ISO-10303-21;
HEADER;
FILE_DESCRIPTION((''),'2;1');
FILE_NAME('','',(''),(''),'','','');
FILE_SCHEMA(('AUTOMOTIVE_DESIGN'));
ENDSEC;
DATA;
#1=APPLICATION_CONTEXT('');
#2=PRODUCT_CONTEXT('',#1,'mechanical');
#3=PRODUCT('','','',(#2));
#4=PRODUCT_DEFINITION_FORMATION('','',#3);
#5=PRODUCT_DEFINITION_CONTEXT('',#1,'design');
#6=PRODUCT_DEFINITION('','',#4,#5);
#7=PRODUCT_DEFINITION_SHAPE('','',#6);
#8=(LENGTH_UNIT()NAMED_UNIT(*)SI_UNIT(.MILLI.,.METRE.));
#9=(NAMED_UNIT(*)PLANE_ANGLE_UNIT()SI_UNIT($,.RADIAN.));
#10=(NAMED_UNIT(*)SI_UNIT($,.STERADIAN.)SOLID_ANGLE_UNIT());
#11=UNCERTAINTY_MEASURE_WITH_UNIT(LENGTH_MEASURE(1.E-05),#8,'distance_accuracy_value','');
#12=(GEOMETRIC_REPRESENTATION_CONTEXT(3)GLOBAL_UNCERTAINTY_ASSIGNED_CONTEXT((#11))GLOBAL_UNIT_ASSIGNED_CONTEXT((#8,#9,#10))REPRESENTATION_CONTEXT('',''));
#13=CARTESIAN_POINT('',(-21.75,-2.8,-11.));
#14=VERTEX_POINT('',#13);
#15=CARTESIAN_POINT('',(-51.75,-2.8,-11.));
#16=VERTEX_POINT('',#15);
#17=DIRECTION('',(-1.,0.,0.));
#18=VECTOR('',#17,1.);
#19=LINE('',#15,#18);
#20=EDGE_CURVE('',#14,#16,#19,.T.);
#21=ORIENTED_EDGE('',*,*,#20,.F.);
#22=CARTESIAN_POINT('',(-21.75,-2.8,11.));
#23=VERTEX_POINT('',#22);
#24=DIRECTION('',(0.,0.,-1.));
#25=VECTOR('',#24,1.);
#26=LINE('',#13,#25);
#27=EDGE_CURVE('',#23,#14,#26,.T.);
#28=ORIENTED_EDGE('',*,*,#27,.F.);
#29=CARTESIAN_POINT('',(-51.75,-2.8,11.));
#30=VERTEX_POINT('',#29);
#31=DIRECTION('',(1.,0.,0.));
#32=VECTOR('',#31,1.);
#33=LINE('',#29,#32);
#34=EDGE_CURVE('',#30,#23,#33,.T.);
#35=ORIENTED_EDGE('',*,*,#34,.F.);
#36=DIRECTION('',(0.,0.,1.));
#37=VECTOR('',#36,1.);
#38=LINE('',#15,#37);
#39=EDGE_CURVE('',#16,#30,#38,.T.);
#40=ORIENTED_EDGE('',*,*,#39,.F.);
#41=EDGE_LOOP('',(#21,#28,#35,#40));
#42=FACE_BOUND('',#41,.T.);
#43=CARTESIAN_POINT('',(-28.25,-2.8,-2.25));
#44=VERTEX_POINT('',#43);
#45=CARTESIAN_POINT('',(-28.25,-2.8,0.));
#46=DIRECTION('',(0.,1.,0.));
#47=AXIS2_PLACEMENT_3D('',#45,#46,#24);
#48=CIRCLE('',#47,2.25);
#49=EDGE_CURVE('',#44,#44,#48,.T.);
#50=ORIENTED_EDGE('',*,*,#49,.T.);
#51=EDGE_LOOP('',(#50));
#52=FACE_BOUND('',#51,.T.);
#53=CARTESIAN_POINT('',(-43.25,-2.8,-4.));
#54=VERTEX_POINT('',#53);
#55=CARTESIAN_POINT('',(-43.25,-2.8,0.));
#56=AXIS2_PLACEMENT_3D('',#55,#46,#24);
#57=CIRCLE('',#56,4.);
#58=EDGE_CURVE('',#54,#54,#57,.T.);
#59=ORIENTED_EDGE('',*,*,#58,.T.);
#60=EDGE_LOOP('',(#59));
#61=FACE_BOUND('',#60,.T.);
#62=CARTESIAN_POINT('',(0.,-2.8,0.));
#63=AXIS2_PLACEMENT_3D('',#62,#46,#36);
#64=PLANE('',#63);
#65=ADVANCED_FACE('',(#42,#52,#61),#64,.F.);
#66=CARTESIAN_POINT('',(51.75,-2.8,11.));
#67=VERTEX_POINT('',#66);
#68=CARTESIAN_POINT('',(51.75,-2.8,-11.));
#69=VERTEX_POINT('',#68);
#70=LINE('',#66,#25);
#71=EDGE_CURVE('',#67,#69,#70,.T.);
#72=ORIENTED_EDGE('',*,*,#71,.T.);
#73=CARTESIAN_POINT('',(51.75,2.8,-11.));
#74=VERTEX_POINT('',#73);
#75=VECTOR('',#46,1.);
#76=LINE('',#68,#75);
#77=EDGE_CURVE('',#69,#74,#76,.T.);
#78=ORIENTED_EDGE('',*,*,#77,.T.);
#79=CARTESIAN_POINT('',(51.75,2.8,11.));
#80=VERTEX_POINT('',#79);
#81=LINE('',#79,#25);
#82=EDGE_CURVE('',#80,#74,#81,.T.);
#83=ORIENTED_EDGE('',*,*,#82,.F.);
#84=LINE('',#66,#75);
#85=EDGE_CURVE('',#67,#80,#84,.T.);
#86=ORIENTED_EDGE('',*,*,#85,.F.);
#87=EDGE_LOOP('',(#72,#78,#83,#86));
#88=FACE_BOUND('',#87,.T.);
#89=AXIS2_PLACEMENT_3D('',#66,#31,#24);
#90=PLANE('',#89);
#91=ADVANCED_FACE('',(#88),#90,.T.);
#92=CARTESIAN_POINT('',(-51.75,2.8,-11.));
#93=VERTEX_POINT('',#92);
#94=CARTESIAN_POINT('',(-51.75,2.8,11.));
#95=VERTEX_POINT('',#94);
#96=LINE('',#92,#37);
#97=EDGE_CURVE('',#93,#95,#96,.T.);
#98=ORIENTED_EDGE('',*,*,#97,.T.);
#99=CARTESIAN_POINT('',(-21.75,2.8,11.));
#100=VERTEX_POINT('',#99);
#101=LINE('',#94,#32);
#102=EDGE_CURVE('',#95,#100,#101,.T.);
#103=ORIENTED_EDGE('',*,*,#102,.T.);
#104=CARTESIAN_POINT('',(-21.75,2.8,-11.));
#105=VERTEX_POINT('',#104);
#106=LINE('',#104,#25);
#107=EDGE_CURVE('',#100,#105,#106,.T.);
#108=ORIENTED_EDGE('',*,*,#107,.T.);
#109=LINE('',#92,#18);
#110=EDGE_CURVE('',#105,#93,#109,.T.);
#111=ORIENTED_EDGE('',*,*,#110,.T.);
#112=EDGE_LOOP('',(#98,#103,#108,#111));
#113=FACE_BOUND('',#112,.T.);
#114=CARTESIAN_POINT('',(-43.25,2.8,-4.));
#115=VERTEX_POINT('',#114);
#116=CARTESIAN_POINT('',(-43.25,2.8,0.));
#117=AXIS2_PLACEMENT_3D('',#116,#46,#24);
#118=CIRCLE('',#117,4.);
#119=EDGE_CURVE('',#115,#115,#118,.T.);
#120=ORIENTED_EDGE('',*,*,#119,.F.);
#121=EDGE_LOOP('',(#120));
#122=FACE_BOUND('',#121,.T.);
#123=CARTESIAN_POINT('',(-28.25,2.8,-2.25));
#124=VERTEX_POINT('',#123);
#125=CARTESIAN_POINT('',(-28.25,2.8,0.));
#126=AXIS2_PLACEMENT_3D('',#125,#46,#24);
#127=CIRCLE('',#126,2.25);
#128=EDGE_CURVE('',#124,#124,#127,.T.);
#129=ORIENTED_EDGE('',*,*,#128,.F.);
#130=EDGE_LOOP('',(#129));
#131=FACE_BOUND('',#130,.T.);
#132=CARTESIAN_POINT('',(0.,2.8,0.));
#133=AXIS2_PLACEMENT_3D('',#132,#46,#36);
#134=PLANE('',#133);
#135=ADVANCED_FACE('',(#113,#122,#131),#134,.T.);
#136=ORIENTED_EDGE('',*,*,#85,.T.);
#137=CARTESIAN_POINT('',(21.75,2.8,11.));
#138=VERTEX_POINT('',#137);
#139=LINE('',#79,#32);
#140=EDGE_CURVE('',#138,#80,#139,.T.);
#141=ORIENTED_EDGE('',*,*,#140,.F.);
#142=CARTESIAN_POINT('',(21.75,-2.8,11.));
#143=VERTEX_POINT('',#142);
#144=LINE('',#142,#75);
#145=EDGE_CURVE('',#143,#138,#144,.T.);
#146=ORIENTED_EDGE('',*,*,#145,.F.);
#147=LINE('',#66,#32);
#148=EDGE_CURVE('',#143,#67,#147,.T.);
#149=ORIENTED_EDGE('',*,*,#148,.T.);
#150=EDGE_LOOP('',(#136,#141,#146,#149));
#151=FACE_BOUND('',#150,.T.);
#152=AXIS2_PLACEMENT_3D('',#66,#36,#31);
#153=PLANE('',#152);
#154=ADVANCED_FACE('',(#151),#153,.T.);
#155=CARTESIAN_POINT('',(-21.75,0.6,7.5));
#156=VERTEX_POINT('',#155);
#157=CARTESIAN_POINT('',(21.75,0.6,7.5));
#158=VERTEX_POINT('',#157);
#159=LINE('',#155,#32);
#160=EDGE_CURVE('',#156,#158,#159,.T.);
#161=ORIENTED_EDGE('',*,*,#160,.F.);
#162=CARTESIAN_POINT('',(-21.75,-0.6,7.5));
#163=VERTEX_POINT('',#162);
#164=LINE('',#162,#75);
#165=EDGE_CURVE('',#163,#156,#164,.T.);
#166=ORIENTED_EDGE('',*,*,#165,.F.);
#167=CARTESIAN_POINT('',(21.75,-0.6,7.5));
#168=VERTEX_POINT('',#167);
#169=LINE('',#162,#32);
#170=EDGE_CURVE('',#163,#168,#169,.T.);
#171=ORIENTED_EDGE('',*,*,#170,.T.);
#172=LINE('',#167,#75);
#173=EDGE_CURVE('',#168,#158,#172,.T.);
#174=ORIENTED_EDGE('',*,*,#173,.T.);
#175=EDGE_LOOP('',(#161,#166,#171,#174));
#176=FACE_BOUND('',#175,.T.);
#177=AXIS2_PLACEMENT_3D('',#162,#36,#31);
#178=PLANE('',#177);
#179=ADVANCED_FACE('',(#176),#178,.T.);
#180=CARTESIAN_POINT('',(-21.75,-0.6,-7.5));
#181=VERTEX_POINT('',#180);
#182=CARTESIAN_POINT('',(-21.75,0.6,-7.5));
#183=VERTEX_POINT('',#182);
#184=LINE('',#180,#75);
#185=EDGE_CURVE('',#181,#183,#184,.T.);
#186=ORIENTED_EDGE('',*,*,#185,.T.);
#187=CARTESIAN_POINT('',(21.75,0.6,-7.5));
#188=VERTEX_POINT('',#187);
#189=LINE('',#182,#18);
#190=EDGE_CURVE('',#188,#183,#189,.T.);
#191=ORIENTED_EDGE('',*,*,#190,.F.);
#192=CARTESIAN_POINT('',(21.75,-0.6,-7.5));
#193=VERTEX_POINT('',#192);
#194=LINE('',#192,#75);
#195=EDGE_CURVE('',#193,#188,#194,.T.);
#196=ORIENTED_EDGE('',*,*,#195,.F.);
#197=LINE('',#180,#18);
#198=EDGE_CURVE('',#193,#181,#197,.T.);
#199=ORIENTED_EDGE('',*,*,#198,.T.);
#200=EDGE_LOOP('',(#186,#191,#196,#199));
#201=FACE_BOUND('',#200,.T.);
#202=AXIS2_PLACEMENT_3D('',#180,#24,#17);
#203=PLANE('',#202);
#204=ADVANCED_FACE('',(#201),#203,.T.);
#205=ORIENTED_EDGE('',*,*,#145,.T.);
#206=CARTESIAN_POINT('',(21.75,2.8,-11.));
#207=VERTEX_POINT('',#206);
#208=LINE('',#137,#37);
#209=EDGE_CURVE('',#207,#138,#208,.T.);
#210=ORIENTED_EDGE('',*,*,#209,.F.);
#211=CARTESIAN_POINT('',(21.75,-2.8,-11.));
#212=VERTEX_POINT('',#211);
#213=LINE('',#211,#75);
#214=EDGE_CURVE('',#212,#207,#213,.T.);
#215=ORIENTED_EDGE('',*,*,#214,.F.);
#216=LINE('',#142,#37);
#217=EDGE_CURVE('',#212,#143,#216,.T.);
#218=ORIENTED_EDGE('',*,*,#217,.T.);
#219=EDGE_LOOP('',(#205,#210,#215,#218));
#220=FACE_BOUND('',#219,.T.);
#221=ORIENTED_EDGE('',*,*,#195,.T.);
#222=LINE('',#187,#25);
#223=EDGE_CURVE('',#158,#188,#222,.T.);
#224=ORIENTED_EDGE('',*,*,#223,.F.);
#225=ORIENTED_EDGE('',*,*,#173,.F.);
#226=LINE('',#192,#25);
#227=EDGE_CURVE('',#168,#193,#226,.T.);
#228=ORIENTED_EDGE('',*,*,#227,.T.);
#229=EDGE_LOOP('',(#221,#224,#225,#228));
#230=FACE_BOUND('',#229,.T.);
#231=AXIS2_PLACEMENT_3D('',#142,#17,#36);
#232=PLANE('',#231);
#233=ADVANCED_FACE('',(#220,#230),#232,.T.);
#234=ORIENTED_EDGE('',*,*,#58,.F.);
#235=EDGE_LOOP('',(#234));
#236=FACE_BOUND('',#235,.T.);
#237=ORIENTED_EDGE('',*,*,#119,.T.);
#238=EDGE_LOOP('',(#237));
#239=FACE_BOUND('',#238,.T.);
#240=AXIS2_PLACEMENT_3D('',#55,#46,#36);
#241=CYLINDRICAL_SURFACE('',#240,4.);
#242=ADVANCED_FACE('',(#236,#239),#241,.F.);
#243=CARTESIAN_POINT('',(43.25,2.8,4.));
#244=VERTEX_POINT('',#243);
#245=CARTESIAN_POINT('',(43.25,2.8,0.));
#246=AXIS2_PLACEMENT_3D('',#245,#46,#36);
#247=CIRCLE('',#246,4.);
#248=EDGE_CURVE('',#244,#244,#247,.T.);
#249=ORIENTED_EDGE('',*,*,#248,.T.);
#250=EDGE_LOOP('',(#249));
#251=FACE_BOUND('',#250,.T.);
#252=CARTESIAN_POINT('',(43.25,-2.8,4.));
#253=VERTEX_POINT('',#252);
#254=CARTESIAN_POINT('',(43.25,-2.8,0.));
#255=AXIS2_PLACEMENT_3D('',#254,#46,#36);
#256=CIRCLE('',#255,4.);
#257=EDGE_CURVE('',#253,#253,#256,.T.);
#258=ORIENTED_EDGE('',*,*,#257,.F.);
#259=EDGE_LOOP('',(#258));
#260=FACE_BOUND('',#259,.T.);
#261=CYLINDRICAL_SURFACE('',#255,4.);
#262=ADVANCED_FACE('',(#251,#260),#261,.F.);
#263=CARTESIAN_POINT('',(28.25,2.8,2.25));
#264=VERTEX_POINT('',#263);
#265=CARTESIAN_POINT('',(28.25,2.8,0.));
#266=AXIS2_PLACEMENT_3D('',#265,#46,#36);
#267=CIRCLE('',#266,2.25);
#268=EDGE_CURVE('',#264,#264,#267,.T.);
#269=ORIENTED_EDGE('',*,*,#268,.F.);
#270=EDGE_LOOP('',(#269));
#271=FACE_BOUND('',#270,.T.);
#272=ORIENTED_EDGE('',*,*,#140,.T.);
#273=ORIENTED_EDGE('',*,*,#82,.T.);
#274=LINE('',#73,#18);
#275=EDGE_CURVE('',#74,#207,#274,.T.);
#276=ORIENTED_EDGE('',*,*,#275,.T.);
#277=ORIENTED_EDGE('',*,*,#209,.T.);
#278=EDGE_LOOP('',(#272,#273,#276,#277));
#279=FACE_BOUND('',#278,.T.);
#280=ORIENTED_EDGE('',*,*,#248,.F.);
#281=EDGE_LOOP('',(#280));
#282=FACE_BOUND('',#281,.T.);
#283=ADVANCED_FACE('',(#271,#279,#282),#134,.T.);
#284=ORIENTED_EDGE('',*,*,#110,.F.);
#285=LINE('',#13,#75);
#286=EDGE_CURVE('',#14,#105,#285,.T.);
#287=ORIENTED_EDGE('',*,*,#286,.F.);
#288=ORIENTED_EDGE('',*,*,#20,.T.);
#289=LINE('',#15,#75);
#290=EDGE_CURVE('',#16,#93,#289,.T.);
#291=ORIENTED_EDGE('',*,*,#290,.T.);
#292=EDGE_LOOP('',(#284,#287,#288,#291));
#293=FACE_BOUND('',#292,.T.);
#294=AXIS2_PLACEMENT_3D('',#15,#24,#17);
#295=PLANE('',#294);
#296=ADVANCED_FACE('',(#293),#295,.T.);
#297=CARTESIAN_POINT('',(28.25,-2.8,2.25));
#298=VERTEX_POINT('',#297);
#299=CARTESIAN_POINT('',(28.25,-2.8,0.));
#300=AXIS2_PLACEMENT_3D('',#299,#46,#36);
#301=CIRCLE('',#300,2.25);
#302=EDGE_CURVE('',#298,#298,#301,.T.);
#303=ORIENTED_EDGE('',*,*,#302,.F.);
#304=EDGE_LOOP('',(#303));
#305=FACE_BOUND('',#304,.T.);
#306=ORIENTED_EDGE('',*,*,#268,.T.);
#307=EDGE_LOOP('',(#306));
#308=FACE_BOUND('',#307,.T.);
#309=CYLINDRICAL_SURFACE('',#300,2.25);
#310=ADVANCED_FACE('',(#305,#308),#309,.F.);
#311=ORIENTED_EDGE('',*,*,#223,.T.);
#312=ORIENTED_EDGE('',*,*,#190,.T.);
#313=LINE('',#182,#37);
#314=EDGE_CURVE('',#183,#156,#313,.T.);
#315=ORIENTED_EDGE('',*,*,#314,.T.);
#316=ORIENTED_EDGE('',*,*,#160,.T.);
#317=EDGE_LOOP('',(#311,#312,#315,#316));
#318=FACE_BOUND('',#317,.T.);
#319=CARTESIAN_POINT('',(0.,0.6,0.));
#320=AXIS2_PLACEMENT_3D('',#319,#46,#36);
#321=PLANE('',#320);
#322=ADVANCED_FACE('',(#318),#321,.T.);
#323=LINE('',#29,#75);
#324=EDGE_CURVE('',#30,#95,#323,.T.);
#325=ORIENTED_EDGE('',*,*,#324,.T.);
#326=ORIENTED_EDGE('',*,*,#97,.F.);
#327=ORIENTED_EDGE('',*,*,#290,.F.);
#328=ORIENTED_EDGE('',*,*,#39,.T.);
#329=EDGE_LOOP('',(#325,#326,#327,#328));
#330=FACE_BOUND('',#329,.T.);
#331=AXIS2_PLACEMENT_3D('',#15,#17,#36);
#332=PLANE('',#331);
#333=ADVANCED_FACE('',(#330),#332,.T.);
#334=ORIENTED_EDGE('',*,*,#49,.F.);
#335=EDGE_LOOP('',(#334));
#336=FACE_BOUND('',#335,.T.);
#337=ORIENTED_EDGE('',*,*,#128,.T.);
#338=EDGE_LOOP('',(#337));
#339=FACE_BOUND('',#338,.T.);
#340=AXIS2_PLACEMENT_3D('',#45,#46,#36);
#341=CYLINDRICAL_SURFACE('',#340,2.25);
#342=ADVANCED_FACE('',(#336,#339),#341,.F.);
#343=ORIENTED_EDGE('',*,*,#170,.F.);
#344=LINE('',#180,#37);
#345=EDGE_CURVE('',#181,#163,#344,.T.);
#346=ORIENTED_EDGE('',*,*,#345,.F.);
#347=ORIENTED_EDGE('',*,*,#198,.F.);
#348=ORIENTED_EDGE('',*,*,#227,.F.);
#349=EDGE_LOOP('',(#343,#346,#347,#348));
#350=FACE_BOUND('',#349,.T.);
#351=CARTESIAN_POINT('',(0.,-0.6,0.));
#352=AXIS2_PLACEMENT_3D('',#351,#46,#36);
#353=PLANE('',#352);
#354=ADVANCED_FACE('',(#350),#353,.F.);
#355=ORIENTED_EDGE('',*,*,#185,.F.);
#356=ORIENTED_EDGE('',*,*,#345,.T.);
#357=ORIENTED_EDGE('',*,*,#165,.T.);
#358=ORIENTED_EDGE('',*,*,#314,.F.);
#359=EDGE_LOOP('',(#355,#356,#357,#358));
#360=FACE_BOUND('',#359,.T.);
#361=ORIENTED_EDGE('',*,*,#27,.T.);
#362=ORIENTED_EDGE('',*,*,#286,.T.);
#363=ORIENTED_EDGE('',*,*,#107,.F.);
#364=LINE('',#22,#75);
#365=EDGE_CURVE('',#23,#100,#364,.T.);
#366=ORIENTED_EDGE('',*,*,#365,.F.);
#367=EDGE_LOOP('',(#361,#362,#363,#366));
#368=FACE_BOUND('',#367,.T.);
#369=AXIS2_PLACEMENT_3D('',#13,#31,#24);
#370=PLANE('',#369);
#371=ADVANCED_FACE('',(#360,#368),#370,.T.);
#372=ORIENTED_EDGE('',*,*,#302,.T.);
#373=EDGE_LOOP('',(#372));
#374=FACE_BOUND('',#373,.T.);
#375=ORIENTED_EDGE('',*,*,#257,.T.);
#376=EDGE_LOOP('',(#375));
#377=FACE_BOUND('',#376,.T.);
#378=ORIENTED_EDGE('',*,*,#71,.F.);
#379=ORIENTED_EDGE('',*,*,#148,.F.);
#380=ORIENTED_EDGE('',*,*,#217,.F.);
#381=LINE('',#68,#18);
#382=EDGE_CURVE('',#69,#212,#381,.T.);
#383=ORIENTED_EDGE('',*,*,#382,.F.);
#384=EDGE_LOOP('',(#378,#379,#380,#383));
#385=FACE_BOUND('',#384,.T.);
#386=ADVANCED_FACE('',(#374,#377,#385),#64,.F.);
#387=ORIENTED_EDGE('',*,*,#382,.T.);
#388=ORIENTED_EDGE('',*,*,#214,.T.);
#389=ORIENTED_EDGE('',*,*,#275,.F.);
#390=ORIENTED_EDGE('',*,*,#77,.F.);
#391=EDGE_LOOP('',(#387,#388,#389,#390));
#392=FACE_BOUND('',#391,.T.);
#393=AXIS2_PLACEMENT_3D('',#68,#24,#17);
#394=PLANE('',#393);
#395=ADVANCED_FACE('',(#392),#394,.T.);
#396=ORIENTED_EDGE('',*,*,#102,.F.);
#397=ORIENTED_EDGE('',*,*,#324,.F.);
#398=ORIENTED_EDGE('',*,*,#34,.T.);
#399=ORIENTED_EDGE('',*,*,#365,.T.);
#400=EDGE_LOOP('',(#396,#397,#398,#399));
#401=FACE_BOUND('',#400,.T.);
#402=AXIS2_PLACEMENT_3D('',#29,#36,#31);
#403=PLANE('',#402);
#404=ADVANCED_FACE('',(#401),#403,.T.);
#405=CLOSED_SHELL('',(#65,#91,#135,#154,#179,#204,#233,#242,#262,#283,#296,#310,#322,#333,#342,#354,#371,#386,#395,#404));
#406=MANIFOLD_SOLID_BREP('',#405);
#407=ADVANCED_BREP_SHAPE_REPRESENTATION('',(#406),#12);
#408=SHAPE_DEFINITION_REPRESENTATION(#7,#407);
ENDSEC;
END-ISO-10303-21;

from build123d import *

# Parameters (mm, degrees)
BOSS_EXTRUDE1_DEPTH      = 0.6
BOSS_EXTRUDE1_DEPTH_BACK = 0.6
SKETCH2_W                = 43.5
SKETCH2_H                = 15
BOSS_EXTRUDE2_DEPTH      = 2.8
BOSS_EXTRUDE2_DEPTH_BACK = 2.8
SKETCH3_W                = 30
SKETCH3_H                = 22
CUT_EXTRUDE1_DEPTH       = 53.980208569
CUT_EXTRUDE1_DEPTH_BACK  = 53.980208569
SKETCH4_R                = 2.25
SKETCH4_R_2              = 4


with BuildPart() as part:
    # Sketch2 → Boss-Extrude1 (new, two sides: drawn at the far end of the back side and taken through both)
    with BuildSketch(Plane(origin=(0, 0, 0), x_dir=(1, 0, 0), z_dir=(0, 1, 0)).offset(-BOSS_EXTRUDE1_DEPTH_BACK)):
        Rectangle(SKETCH2_W, SKETCH2_H)
    extrude(amount=BOSS_EXTRUDE1_DEPTH + BOSS_EXTRUDE1_DEPTH_BACK)

    # Sketch3 → Boss-Extrude2 (add, two sides: drawn at the far end of the back side and taken through both)
    with BuildSketch(Plane(origin=(0, 0, 0), x_dir=(1, 0, 0), z_dir=(0, 1, 0)).offset(-BOSS_EXTRUDE2_DEPTH_BACK)):
        with Locations((36.75, 0)):
            Rectangle(SKETCH3_W, SKETCH3_H)
        with Locations((-36.75, 0)):
            Rectangle(SKETCH3_W, SKETCH3_H)
    extrude(amount=BOSS_EXTRUDE2_DEPTH + BOSS_EXTRUDE2_DEPTH_BACK)

    # Sketch4 → Cut-Extrude1 (cut, two sides: drawn at the far end of the back side and taken through both)
    with BuildSketch(Plane(origin=(0, 0, 0), x_dir=(1, 0, 0), z_dir=(0, 1, 0)).offset(-CUT_EXTRUDE1_DEPTH_BACK)):
        with Locations((28.25, 0)):
            Circle(SKETCH4_R)
        with Locations((43.25, 0)):
            Circle(SKETCH4_R_2)
        with Locations((-43.25, 0)):
            Circle(SKETCH4_R_2)
        with Locations((-28.25, 0)):
            Circle(SKETCH4_R)
    extrude(amount=CUT_EXTRUDE1_DEPTH + CUT_EXTRUDE1_DEPTH_BACK, mode=Mode.SUBTRACT)


solid = part.part
